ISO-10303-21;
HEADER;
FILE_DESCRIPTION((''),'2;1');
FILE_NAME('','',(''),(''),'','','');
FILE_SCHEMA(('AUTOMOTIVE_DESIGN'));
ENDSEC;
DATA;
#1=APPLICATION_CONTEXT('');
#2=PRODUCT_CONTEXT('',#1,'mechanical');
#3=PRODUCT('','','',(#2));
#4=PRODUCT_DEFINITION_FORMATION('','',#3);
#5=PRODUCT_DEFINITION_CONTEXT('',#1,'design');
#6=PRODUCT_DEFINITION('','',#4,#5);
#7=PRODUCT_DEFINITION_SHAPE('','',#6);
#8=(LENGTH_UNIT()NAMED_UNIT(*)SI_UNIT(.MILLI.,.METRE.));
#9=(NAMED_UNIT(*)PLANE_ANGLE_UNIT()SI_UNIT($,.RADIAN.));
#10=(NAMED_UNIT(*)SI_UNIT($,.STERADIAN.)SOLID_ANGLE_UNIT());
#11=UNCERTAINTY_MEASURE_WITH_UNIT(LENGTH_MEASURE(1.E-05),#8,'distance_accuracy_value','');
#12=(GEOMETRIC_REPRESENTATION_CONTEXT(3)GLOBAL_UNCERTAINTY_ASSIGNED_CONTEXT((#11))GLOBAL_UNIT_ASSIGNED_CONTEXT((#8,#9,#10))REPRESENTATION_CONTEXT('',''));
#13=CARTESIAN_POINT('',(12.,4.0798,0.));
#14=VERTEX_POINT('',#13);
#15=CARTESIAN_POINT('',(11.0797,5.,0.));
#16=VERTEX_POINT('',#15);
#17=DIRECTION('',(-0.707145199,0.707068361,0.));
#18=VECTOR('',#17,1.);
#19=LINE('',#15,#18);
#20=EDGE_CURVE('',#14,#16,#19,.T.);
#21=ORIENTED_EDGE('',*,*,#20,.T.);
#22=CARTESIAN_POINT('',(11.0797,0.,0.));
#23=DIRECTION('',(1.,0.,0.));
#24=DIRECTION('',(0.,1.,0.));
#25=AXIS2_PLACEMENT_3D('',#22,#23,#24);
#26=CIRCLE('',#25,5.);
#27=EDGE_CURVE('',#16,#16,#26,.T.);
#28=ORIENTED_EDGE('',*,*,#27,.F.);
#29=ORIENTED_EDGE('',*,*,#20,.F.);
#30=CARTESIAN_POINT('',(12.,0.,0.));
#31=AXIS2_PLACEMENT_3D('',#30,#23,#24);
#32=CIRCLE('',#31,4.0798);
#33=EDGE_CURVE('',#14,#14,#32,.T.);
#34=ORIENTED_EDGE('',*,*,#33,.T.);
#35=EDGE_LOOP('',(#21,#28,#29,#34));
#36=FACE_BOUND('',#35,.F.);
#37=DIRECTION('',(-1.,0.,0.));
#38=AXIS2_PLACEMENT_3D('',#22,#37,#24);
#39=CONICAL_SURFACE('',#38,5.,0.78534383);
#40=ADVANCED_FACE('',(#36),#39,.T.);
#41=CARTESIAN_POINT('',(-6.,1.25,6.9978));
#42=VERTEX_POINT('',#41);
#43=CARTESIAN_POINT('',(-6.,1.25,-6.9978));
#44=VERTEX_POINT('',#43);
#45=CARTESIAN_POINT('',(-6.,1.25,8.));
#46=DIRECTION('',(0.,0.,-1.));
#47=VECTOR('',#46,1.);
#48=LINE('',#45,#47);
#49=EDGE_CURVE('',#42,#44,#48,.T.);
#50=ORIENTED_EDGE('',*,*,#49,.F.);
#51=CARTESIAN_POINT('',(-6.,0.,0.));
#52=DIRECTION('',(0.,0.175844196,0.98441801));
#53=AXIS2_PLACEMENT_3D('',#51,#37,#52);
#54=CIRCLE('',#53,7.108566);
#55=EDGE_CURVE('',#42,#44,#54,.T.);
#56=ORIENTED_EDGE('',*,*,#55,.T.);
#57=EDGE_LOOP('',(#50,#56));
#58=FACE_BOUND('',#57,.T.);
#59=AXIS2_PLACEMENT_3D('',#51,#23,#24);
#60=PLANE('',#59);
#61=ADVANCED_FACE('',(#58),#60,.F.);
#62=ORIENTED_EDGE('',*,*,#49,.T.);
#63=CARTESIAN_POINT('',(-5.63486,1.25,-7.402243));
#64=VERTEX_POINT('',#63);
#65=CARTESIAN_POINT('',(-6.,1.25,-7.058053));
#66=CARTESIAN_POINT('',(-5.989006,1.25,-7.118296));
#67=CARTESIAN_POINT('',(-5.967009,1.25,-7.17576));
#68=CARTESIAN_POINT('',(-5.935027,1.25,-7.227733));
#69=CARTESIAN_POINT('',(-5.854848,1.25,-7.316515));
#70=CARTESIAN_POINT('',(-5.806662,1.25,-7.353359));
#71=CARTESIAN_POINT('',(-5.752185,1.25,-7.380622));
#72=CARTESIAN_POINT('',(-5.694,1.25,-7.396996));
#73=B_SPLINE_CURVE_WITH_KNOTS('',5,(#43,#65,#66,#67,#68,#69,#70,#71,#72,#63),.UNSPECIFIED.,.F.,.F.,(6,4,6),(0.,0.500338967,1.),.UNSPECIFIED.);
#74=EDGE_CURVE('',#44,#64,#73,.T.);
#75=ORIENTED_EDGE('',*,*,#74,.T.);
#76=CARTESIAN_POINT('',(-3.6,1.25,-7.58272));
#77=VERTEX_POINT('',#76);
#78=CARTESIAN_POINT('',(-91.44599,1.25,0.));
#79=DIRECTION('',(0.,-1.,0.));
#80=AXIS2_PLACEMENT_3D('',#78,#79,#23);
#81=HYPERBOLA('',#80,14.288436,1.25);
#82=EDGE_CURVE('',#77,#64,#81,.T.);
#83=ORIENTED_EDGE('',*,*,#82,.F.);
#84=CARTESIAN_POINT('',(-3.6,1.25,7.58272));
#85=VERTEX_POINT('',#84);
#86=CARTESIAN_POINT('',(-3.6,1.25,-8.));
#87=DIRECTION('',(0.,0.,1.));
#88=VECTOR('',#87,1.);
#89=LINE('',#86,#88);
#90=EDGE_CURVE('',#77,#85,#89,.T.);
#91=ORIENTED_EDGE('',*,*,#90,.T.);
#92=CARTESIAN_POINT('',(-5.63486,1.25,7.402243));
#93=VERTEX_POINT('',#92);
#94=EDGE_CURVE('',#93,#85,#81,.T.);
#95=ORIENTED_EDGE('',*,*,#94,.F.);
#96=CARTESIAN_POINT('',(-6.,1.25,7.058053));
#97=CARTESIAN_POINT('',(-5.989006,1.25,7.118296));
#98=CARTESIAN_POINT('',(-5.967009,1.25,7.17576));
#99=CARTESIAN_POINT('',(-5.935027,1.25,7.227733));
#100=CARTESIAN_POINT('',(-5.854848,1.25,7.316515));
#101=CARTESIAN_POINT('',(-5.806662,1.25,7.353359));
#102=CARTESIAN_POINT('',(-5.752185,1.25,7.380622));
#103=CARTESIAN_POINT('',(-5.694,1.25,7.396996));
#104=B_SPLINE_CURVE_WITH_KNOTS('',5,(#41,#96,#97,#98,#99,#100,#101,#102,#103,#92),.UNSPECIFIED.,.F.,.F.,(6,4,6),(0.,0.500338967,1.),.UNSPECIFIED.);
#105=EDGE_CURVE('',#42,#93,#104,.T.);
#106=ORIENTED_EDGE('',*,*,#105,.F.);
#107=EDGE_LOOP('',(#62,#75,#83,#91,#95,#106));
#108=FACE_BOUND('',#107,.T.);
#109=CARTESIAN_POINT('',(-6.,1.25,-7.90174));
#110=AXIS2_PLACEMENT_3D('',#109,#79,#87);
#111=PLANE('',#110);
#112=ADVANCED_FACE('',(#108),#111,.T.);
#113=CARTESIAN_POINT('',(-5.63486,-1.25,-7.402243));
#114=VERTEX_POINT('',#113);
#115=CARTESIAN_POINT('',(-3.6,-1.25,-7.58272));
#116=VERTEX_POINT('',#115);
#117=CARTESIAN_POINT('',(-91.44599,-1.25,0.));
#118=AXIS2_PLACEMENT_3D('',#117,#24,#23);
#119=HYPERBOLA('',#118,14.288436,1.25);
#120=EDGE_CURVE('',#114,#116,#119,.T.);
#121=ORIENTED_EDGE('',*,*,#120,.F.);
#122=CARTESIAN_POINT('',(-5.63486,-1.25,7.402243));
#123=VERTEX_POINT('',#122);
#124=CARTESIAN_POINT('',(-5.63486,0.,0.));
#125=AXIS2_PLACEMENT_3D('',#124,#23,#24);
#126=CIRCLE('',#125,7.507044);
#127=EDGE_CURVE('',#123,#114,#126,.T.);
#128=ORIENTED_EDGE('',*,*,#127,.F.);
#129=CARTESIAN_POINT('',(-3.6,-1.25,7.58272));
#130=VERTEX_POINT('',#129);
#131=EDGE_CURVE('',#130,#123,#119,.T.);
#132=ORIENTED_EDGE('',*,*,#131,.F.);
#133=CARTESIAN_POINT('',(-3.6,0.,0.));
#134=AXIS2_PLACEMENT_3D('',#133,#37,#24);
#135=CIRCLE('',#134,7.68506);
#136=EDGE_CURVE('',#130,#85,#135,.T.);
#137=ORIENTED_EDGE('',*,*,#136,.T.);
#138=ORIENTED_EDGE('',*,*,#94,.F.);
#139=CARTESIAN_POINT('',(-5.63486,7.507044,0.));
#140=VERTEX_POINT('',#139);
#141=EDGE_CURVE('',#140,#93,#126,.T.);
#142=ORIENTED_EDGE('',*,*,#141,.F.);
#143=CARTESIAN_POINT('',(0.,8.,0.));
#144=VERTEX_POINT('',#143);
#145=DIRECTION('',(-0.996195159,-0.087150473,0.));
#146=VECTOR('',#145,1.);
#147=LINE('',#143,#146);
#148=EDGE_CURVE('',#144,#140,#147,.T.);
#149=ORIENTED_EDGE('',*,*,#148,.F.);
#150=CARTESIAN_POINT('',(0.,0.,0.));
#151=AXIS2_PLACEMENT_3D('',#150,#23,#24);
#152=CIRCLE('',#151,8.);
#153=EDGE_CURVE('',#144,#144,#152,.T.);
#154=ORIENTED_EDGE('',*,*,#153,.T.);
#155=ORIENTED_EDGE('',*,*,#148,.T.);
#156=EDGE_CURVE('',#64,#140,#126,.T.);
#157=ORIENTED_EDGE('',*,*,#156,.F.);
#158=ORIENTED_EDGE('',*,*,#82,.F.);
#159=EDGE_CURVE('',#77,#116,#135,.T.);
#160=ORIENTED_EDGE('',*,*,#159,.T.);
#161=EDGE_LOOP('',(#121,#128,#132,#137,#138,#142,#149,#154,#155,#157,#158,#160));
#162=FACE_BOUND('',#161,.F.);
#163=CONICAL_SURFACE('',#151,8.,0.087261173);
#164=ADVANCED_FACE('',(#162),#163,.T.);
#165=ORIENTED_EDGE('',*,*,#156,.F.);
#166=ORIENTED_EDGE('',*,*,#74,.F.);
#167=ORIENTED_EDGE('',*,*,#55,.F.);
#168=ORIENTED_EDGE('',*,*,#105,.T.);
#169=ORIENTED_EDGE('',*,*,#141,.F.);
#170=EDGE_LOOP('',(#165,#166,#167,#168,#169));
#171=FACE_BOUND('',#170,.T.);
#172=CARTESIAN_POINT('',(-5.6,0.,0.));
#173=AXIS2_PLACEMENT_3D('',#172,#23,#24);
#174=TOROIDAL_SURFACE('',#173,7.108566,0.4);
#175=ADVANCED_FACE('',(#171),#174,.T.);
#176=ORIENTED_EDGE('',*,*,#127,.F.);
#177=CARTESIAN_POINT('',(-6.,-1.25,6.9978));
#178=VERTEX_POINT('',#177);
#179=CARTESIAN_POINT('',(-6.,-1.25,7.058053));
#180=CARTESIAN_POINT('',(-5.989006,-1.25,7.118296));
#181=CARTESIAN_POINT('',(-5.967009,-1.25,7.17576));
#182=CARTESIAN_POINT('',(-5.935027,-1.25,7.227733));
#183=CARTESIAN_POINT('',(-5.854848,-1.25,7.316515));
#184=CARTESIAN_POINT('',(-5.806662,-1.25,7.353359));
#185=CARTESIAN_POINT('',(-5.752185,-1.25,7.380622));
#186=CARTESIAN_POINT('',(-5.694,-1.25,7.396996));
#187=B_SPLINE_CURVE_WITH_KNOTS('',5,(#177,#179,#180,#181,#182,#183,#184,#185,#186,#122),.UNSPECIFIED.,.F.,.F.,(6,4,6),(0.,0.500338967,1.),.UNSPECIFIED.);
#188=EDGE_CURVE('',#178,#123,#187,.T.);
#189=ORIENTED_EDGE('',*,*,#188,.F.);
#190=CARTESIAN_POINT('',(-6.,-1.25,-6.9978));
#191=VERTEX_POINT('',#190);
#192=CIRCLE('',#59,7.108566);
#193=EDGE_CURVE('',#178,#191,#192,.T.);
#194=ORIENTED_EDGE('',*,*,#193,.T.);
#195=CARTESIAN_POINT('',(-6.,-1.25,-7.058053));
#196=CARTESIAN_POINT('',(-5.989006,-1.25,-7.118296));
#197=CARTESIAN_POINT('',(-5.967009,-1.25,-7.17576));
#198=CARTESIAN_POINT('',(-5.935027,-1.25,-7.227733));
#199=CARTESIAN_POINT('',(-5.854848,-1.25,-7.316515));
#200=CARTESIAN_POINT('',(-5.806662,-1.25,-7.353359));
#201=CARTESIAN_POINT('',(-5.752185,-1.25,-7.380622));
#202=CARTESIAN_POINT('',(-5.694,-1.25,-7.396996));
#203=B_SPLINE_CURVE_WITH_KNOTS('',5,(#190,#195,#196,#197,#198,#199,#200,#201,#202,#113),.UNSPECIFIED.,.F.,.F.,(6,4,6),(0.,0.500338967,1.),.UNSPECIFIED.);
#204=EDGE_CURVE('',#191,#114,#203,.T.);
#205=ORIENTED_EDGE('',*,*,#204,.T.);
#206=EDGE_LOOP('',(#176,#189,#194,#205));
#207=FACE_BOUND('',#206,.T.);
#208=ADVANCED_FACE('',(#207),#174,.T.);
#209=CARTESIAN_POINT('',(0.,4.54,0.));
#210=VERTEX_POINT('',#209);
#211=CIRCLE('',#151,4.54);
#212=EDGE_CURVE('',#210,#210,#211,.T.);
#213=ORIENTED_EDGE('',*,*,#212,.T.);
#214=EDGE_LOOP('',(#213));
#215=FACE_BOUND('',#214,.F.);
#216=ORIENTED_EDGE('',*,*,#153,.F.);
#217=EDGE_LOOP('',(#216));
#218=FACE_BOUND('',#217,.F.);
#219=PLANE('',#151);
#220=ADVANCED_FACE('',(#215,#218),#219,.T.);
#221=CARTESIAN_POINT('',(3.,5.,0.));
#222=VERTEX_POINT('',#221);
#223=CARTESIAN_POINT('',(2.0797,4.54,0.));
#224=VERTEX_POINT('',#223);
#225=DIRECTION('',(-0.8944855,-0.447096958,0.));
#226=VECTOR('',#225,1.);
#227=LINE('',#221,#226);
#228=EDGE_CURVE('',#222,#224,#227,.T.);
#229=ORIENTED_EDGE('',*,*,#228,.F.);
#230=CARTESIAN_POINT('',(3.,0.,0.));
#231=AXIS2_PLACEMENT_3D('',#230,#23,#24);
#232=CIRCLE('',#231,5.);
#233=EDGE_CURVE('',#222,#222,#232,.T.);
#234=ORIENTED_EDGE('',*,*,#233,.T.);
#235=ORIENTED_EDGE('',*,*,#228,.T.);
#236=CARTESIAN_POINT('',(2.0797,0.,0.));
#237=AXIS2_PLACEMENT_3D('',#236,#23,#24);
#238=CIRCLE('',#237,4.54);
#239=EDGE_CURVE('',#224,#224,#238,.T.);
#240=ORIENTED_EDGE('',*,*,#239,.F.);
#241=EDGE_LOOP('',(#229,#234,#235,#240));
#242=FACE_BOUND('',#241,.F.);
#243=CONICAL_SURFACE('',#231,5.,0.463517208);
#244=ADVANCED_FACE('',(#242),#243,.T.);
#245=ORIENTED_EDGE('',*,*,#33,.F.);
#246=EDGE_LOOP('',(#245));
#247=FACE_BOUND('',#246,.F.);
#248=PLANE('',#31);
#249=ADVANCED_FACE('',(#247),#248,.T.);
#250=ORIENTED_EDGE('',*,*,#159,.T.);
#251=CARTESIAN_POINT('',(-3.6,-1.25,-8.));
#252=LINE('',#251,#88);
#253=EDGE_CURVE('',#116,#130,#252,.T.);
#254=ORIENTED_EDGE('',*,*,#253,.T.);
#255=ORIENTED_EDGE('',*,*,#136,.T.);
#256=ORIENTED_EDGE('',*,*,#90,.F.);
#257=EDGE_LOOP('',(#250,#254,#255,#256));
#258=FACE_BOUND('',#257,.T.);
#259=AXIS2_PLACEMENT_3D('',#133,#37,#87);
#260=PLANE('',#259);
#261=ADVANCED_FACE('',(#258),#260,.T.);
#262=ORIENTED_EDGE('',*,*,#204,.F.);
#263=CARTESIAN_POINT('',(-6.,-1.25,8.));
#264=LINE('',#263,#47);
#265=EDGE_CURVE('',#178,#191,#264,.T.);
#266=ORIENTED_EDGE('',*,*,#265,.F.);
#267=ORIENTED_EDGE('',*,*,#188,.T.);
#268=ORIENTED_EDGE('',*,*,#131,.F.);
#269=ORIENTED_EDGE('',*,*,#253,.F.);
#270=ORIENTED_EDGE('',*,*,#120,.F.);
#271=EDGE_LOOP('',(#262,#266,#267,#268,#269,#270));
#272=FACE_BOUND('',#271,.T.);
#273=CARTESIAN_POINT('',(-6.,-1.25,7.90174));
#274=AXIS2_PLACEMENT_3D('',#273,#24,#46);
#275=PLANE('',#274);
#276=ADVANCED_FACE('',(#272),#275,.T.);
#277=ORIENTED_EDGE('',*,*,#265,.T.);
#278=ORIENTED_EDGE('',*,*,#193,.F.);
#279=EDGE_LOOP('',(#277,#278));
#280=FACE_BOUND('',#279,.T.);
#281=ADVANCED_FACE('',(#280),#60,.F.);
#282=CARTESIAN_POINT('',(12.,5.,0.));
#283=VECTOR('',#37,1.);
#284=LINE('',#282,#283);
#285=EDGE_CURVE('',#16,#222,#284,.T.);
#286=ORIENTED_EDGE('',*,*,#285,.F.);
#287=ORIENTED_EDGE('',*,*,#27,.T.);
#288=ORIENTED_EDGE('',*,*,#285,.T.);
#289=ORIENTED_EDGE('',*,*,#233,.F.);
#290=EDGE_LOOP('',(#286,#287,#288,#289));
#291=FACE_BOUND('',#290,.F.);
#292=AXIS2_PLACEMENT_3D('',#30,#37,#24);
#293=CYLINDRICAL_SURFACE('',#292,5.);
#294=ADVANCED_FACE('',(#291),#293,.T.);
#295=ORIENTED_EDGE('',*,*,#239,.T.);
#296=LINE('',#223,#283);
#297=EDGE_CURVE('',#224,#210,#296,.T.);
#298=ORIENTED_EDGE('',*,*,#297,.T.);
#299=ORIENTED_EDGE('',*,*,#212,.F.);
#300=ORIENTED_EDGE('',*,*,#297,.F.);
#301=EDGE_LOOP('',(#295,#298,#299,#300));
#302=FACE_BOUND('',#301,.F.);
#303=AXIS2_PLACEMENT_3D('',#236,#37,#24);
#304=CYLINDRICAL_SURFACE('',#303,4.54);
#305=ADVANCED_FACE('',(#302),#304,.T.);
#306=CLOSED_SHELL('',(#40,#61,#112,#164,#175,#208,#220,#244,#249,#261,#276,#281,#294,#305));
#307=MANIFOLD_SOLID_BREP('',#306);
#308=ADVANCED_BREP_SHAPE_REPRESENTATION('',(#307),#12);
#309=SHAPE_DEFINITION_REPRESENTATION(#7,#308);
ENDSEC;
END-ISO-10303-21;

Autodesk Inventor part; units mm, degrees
ref_plane "YZ Plane" through (0, 0, 0) normal (1, 0, 0) x (0, 1, 0)
ref_plane "XZ Plane" through (0, 0, 0) normal (0, 1, 0) x (-1, 0, 0)
sketch "Szkic1" plane through (0, 0, 0) normal (0, 0, 1) x (1, 0, 0)
  line L0 (-6, 0) -> (12, 0)
  line L1 (12, 0) -> (12, 5)
  line L2 (12, 5) -> (3, 5)
  line L3 (3, 5) -> (2.0797, 4.54)
  line L4 (2.0797, 4.54) -> (0, 4.54)
  line L5 (0, 4.54) -> (0, 8)
  line L6 (-9.6, 0) -> (15.6, 0) projected
  line L7 (0, -1.6) -> (0, 9.6) projected
  line L8 (-6, 0) -> (-6, 7.4751)
  line L9 (0, 8) -> (-6, 7.4751)
  line L10 (3, 5) -> (0, 5) construction
  dimension "d0" = 12
  dimension "d1" = 9
  dimension "d2" = 0.9203
  dimension "d3" = 6
  dimension "d4" = 10
  dimension "d5" = 9.08
  dimension "d9" = 16
  dimension "d10" = 5
revolve "Bryła" add sketch "Szkic1" angle 360 about axis through (-6, 0, 0) along (1, 0, 0)
sketch "Szkic2" plane through (-6, 0, 0) normal (-1, 0, 0) x (0, 0, 1)
  circle A0 centre (0, 0) radius 8 projected
  line L0 (0, 0) -> (0, 7.4751) projected
  line L1 (-8, 1.25) -> (8, 1.25)
  line L2 (8, 1.25) -> (8, -1.25)
  line L3 (8, -1.25) -> (-8, -1.25)
  line L4 (-8, -1.25) -> (-8, 1.25)
  line L5 (-8, 0) -> (8, 0) construction
  line L6 (0, 1.25) -> (0, -1.25) construction
  dimension "d11" = 2.5
  dimension "d12" = 16
fillet "Zaokrąglenie1" radius 0.4 1 edges at (-6, -7.4751, 0)
extrude "Szczelina" cut sketch "Szkic2" against normal blind 2.4 contours A0 L3 L1 | L2 L3 A0 | A0 L1 L2 | A0 L4 L1 | L3 L4 A0
thread "Gwint" size "M10x1.5" class "6g" standard "ISO Metric profile" length 9
chamfer "Faza1" distance 0.9202 distance2 0.9203 1 edges at (12, -5, 0) measured on face at (12, -0.8193, 1.889)
ref_plane "Work Plane1" through (30.1625, 0, 0) normal (0, 0, -1) x (1, 0, 0)
equation "\"d11\" = SBR"
equation "\"d12\" = KOD"
equation "\"d14\" = RR"
equation "\"d19\" = STI"
equation "\"d15\" = GEL"
equation "\"d17\" = -0.5 * SPD + 0.5 * GD"
equation "\"d0\" = NLG"
equation "\"d1\" = GEL"
equation "\"d3\" = KOH"
equation "\"d4\" = GD"
equation "\"d5\" = BDM"
equation "\"d9\" = KOD"
equation "\"d10\" = KEWI"
equation "\"GD\" = NND"
equation "\"NLG\" = 12"
equation "\"GEL\" = 9"
equation "\"KOD\" = 16"
equation "\"KOH\" = 6"
equation "\"GAL\" = 0.61345 * PTC"
equation "\"SPD\" = NND - 1.2269 * PTC"
equation "\"BDM\" = 9.08"
equation "\"GUL\" = 0.61345 * PTC"
equation "\"RR\" = 0.4"
equation "\"SBR\" = 2.5"
equation "\"STI\" = 2.4"
equation "\"KEWI\" = 5deg"
equation "\"PTC\" = 1.5"
equation "\"TOA\" = 30deg"
equation "\"GD1\" = THREADDIA - 1.2269 * PTC"
equation "\"NND\" = 10"
equation "\"THREADDIA\" = 10"
properties part number "ISO 1207 - M10 x 12" material "Stal nierdzewna 440C"
